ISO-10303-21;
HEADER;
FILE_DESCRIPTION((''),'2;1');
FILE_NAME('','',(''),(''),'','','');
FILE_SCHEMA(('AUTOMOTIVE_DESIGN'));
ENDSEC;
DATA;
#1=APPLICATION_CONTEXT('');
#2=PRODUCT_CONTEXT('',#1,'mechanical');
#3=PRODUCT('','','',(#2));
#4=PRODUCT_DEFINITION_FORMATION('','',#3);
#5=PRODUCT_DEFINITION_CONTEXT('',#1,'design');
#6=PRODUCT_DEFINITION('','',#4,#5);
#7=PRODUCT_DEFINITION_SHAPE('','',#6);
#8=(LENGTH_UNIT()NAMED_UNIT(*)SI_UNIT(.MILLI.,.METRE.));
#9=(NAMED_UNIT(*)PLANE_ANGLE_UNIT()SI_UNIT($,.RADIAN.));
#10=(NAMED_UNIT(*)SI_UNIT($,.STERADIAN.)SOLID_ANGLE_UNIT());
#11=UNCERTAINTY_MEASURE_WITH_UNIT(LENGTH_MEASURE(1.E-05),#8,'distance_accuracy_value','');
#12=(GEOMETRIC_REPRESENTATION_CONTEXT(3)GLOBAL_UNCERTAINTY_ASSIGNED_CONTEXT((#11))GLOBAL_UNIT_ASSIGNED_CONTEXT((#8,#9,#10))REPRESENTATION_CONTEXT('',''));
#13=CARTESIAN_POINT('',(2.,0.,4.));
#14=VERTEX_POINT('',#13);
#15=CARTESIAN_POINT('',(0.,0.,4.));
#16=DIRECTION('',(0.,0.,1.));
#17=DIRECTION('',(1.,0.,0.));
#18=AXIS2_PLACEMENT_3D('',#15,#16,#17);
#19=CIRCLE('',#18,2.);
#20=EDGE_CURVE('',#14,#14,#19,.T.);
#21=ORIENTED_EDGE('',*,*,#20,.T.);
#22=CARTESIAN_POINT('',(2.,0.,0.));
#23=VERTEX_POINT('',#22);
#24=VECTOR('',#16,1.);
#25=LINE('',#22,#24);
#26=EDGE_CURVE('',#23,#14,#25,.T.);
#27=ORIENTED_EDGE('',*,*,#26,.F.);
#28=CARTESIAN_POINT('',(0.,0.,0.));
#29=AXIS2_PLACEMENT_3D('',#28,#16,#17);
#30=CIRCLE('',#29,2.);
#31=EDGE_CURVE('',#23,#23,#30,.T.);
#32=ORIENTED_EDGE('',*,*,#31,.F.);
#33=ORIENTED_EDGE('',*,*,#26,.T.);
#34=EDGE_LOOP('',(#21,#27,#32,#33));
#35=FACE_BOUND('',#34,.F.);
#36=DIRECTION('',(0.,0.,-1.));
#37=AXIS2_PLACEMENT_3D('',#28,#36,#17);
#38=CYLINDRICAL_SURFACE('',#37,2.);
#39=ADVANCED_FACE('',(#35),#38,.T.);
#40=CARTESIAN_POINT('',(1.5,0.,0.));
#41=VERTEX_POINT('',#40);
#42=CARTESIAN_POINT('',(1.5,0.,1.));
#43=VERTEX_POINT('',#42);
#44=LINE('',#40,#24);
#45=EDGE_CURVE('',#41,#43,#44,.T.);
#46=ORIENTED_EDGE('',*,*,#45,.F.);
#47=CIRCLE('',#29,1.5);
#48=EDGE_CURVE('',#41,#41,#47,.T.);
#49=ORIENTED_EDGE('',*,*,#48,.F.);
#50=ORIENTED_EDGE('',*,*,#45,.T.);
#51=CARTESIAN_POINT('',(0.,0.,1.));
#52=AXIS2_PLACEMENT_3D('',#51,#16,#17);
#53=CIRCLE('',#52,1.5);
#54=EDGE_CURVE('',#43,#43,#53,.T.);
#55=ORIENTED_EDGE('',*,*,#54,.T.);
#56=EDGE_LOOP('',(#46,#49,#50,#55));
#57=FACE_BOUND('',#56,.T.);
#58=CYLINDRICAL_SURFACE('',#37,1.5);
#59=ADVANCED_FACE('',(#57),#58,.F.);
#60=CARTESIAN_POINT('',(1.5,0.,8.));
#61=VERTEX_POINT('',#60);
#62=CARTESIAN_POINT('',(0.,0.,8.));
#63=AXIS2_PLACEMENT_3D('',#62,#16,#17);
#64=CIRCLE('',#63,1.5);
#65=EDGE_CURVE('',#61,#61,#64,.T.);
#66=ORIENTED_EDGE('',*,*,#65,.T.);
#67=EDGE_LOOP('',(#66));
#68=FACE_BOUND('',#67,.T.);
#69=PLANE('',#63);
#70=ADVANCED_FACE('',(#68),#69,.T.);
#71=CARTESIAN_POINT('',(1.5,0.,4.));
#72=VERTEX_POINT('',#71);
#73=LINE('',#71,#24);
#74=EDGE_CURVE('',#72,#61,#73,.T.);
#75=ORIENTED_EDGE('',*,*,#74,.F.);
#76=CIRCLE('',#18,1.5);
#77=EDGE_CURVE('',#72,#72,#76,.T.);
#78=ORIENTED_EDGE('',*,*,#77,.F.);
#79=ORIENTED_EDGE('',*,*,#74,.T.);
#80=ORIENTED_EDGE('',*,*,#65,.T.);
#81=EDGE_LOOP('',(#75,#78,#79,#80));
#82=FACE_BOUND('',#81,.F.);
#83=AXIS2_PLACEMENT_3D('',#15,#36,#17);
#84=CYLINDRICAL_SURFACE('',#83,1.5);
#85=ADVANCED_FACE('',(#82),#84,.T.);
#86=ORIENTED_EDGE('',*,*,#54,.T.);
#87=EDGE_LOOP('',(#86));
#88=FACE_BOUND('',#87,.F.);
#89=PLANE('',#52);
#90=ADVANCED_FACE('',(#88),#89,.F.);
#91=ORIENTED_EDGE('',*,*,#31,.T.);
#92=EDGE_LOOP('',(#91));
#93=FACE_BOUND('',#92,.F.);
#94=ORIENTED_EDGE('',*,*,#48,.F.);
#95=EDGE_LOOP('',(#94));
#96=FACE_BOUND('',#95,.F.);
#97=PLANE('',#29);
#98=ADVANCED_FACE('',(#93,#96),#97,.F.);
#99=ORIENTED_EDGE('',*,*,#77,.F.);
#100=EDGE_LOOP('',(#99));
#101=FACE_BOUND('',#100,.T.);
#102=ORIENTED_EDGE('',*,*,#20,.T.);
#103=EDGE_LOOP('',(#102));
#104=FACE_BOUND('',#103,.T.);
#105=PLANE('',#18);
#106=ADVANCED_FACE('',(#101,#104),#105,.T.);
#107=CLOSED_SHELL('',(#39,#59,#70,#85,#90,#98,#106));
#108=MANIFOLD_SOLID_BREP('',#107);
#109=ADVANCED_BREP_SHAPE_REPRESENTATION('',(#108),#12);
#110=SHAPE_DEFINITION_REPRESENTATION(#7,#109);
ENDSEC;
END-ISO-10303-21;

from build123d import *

# Parameters (mm, degrees)
CYLINDER002_R     = 1.5
CYLINDER002_DEPTH = 1
CYLINDER_R        = 2
CYLINDER_DEPTH    = 4
CYLINDER001_R     = 1.5
CYLINDER001_DEPTH = 4


with BuildPart() as cylinder002:
    # Cylinder002 → Cylinder002 (new body)
    with BuildSketch(Plane.XY):
        Circle(CYLINDER002_R)
    extrude(amount=CYLINDER002_DEPTH)


with BuildPart() as cut:
    # Cylinder → Cylinder (new body)
    with BuildSketch(Plane.XY):
        Circle(CYLINDER_R)
    extrude(amount=CYLINDER_DEPTH)

    # Cut: cut Cylinder002
    add(cylinder002.part, mode=Mode.SUBTRACT)


with BuildPart() as fusion:
    # Cylinder001 → Cylinder001 (new body)
    with BuildSketch(Plane.XY.offset(4)):
        Circle(CYLINDER001_R)
    extrude(amount=CYLINDER001_DEPTH)

    # Fusion: union Cut
    add(cut.part)


solid = fusion.part
